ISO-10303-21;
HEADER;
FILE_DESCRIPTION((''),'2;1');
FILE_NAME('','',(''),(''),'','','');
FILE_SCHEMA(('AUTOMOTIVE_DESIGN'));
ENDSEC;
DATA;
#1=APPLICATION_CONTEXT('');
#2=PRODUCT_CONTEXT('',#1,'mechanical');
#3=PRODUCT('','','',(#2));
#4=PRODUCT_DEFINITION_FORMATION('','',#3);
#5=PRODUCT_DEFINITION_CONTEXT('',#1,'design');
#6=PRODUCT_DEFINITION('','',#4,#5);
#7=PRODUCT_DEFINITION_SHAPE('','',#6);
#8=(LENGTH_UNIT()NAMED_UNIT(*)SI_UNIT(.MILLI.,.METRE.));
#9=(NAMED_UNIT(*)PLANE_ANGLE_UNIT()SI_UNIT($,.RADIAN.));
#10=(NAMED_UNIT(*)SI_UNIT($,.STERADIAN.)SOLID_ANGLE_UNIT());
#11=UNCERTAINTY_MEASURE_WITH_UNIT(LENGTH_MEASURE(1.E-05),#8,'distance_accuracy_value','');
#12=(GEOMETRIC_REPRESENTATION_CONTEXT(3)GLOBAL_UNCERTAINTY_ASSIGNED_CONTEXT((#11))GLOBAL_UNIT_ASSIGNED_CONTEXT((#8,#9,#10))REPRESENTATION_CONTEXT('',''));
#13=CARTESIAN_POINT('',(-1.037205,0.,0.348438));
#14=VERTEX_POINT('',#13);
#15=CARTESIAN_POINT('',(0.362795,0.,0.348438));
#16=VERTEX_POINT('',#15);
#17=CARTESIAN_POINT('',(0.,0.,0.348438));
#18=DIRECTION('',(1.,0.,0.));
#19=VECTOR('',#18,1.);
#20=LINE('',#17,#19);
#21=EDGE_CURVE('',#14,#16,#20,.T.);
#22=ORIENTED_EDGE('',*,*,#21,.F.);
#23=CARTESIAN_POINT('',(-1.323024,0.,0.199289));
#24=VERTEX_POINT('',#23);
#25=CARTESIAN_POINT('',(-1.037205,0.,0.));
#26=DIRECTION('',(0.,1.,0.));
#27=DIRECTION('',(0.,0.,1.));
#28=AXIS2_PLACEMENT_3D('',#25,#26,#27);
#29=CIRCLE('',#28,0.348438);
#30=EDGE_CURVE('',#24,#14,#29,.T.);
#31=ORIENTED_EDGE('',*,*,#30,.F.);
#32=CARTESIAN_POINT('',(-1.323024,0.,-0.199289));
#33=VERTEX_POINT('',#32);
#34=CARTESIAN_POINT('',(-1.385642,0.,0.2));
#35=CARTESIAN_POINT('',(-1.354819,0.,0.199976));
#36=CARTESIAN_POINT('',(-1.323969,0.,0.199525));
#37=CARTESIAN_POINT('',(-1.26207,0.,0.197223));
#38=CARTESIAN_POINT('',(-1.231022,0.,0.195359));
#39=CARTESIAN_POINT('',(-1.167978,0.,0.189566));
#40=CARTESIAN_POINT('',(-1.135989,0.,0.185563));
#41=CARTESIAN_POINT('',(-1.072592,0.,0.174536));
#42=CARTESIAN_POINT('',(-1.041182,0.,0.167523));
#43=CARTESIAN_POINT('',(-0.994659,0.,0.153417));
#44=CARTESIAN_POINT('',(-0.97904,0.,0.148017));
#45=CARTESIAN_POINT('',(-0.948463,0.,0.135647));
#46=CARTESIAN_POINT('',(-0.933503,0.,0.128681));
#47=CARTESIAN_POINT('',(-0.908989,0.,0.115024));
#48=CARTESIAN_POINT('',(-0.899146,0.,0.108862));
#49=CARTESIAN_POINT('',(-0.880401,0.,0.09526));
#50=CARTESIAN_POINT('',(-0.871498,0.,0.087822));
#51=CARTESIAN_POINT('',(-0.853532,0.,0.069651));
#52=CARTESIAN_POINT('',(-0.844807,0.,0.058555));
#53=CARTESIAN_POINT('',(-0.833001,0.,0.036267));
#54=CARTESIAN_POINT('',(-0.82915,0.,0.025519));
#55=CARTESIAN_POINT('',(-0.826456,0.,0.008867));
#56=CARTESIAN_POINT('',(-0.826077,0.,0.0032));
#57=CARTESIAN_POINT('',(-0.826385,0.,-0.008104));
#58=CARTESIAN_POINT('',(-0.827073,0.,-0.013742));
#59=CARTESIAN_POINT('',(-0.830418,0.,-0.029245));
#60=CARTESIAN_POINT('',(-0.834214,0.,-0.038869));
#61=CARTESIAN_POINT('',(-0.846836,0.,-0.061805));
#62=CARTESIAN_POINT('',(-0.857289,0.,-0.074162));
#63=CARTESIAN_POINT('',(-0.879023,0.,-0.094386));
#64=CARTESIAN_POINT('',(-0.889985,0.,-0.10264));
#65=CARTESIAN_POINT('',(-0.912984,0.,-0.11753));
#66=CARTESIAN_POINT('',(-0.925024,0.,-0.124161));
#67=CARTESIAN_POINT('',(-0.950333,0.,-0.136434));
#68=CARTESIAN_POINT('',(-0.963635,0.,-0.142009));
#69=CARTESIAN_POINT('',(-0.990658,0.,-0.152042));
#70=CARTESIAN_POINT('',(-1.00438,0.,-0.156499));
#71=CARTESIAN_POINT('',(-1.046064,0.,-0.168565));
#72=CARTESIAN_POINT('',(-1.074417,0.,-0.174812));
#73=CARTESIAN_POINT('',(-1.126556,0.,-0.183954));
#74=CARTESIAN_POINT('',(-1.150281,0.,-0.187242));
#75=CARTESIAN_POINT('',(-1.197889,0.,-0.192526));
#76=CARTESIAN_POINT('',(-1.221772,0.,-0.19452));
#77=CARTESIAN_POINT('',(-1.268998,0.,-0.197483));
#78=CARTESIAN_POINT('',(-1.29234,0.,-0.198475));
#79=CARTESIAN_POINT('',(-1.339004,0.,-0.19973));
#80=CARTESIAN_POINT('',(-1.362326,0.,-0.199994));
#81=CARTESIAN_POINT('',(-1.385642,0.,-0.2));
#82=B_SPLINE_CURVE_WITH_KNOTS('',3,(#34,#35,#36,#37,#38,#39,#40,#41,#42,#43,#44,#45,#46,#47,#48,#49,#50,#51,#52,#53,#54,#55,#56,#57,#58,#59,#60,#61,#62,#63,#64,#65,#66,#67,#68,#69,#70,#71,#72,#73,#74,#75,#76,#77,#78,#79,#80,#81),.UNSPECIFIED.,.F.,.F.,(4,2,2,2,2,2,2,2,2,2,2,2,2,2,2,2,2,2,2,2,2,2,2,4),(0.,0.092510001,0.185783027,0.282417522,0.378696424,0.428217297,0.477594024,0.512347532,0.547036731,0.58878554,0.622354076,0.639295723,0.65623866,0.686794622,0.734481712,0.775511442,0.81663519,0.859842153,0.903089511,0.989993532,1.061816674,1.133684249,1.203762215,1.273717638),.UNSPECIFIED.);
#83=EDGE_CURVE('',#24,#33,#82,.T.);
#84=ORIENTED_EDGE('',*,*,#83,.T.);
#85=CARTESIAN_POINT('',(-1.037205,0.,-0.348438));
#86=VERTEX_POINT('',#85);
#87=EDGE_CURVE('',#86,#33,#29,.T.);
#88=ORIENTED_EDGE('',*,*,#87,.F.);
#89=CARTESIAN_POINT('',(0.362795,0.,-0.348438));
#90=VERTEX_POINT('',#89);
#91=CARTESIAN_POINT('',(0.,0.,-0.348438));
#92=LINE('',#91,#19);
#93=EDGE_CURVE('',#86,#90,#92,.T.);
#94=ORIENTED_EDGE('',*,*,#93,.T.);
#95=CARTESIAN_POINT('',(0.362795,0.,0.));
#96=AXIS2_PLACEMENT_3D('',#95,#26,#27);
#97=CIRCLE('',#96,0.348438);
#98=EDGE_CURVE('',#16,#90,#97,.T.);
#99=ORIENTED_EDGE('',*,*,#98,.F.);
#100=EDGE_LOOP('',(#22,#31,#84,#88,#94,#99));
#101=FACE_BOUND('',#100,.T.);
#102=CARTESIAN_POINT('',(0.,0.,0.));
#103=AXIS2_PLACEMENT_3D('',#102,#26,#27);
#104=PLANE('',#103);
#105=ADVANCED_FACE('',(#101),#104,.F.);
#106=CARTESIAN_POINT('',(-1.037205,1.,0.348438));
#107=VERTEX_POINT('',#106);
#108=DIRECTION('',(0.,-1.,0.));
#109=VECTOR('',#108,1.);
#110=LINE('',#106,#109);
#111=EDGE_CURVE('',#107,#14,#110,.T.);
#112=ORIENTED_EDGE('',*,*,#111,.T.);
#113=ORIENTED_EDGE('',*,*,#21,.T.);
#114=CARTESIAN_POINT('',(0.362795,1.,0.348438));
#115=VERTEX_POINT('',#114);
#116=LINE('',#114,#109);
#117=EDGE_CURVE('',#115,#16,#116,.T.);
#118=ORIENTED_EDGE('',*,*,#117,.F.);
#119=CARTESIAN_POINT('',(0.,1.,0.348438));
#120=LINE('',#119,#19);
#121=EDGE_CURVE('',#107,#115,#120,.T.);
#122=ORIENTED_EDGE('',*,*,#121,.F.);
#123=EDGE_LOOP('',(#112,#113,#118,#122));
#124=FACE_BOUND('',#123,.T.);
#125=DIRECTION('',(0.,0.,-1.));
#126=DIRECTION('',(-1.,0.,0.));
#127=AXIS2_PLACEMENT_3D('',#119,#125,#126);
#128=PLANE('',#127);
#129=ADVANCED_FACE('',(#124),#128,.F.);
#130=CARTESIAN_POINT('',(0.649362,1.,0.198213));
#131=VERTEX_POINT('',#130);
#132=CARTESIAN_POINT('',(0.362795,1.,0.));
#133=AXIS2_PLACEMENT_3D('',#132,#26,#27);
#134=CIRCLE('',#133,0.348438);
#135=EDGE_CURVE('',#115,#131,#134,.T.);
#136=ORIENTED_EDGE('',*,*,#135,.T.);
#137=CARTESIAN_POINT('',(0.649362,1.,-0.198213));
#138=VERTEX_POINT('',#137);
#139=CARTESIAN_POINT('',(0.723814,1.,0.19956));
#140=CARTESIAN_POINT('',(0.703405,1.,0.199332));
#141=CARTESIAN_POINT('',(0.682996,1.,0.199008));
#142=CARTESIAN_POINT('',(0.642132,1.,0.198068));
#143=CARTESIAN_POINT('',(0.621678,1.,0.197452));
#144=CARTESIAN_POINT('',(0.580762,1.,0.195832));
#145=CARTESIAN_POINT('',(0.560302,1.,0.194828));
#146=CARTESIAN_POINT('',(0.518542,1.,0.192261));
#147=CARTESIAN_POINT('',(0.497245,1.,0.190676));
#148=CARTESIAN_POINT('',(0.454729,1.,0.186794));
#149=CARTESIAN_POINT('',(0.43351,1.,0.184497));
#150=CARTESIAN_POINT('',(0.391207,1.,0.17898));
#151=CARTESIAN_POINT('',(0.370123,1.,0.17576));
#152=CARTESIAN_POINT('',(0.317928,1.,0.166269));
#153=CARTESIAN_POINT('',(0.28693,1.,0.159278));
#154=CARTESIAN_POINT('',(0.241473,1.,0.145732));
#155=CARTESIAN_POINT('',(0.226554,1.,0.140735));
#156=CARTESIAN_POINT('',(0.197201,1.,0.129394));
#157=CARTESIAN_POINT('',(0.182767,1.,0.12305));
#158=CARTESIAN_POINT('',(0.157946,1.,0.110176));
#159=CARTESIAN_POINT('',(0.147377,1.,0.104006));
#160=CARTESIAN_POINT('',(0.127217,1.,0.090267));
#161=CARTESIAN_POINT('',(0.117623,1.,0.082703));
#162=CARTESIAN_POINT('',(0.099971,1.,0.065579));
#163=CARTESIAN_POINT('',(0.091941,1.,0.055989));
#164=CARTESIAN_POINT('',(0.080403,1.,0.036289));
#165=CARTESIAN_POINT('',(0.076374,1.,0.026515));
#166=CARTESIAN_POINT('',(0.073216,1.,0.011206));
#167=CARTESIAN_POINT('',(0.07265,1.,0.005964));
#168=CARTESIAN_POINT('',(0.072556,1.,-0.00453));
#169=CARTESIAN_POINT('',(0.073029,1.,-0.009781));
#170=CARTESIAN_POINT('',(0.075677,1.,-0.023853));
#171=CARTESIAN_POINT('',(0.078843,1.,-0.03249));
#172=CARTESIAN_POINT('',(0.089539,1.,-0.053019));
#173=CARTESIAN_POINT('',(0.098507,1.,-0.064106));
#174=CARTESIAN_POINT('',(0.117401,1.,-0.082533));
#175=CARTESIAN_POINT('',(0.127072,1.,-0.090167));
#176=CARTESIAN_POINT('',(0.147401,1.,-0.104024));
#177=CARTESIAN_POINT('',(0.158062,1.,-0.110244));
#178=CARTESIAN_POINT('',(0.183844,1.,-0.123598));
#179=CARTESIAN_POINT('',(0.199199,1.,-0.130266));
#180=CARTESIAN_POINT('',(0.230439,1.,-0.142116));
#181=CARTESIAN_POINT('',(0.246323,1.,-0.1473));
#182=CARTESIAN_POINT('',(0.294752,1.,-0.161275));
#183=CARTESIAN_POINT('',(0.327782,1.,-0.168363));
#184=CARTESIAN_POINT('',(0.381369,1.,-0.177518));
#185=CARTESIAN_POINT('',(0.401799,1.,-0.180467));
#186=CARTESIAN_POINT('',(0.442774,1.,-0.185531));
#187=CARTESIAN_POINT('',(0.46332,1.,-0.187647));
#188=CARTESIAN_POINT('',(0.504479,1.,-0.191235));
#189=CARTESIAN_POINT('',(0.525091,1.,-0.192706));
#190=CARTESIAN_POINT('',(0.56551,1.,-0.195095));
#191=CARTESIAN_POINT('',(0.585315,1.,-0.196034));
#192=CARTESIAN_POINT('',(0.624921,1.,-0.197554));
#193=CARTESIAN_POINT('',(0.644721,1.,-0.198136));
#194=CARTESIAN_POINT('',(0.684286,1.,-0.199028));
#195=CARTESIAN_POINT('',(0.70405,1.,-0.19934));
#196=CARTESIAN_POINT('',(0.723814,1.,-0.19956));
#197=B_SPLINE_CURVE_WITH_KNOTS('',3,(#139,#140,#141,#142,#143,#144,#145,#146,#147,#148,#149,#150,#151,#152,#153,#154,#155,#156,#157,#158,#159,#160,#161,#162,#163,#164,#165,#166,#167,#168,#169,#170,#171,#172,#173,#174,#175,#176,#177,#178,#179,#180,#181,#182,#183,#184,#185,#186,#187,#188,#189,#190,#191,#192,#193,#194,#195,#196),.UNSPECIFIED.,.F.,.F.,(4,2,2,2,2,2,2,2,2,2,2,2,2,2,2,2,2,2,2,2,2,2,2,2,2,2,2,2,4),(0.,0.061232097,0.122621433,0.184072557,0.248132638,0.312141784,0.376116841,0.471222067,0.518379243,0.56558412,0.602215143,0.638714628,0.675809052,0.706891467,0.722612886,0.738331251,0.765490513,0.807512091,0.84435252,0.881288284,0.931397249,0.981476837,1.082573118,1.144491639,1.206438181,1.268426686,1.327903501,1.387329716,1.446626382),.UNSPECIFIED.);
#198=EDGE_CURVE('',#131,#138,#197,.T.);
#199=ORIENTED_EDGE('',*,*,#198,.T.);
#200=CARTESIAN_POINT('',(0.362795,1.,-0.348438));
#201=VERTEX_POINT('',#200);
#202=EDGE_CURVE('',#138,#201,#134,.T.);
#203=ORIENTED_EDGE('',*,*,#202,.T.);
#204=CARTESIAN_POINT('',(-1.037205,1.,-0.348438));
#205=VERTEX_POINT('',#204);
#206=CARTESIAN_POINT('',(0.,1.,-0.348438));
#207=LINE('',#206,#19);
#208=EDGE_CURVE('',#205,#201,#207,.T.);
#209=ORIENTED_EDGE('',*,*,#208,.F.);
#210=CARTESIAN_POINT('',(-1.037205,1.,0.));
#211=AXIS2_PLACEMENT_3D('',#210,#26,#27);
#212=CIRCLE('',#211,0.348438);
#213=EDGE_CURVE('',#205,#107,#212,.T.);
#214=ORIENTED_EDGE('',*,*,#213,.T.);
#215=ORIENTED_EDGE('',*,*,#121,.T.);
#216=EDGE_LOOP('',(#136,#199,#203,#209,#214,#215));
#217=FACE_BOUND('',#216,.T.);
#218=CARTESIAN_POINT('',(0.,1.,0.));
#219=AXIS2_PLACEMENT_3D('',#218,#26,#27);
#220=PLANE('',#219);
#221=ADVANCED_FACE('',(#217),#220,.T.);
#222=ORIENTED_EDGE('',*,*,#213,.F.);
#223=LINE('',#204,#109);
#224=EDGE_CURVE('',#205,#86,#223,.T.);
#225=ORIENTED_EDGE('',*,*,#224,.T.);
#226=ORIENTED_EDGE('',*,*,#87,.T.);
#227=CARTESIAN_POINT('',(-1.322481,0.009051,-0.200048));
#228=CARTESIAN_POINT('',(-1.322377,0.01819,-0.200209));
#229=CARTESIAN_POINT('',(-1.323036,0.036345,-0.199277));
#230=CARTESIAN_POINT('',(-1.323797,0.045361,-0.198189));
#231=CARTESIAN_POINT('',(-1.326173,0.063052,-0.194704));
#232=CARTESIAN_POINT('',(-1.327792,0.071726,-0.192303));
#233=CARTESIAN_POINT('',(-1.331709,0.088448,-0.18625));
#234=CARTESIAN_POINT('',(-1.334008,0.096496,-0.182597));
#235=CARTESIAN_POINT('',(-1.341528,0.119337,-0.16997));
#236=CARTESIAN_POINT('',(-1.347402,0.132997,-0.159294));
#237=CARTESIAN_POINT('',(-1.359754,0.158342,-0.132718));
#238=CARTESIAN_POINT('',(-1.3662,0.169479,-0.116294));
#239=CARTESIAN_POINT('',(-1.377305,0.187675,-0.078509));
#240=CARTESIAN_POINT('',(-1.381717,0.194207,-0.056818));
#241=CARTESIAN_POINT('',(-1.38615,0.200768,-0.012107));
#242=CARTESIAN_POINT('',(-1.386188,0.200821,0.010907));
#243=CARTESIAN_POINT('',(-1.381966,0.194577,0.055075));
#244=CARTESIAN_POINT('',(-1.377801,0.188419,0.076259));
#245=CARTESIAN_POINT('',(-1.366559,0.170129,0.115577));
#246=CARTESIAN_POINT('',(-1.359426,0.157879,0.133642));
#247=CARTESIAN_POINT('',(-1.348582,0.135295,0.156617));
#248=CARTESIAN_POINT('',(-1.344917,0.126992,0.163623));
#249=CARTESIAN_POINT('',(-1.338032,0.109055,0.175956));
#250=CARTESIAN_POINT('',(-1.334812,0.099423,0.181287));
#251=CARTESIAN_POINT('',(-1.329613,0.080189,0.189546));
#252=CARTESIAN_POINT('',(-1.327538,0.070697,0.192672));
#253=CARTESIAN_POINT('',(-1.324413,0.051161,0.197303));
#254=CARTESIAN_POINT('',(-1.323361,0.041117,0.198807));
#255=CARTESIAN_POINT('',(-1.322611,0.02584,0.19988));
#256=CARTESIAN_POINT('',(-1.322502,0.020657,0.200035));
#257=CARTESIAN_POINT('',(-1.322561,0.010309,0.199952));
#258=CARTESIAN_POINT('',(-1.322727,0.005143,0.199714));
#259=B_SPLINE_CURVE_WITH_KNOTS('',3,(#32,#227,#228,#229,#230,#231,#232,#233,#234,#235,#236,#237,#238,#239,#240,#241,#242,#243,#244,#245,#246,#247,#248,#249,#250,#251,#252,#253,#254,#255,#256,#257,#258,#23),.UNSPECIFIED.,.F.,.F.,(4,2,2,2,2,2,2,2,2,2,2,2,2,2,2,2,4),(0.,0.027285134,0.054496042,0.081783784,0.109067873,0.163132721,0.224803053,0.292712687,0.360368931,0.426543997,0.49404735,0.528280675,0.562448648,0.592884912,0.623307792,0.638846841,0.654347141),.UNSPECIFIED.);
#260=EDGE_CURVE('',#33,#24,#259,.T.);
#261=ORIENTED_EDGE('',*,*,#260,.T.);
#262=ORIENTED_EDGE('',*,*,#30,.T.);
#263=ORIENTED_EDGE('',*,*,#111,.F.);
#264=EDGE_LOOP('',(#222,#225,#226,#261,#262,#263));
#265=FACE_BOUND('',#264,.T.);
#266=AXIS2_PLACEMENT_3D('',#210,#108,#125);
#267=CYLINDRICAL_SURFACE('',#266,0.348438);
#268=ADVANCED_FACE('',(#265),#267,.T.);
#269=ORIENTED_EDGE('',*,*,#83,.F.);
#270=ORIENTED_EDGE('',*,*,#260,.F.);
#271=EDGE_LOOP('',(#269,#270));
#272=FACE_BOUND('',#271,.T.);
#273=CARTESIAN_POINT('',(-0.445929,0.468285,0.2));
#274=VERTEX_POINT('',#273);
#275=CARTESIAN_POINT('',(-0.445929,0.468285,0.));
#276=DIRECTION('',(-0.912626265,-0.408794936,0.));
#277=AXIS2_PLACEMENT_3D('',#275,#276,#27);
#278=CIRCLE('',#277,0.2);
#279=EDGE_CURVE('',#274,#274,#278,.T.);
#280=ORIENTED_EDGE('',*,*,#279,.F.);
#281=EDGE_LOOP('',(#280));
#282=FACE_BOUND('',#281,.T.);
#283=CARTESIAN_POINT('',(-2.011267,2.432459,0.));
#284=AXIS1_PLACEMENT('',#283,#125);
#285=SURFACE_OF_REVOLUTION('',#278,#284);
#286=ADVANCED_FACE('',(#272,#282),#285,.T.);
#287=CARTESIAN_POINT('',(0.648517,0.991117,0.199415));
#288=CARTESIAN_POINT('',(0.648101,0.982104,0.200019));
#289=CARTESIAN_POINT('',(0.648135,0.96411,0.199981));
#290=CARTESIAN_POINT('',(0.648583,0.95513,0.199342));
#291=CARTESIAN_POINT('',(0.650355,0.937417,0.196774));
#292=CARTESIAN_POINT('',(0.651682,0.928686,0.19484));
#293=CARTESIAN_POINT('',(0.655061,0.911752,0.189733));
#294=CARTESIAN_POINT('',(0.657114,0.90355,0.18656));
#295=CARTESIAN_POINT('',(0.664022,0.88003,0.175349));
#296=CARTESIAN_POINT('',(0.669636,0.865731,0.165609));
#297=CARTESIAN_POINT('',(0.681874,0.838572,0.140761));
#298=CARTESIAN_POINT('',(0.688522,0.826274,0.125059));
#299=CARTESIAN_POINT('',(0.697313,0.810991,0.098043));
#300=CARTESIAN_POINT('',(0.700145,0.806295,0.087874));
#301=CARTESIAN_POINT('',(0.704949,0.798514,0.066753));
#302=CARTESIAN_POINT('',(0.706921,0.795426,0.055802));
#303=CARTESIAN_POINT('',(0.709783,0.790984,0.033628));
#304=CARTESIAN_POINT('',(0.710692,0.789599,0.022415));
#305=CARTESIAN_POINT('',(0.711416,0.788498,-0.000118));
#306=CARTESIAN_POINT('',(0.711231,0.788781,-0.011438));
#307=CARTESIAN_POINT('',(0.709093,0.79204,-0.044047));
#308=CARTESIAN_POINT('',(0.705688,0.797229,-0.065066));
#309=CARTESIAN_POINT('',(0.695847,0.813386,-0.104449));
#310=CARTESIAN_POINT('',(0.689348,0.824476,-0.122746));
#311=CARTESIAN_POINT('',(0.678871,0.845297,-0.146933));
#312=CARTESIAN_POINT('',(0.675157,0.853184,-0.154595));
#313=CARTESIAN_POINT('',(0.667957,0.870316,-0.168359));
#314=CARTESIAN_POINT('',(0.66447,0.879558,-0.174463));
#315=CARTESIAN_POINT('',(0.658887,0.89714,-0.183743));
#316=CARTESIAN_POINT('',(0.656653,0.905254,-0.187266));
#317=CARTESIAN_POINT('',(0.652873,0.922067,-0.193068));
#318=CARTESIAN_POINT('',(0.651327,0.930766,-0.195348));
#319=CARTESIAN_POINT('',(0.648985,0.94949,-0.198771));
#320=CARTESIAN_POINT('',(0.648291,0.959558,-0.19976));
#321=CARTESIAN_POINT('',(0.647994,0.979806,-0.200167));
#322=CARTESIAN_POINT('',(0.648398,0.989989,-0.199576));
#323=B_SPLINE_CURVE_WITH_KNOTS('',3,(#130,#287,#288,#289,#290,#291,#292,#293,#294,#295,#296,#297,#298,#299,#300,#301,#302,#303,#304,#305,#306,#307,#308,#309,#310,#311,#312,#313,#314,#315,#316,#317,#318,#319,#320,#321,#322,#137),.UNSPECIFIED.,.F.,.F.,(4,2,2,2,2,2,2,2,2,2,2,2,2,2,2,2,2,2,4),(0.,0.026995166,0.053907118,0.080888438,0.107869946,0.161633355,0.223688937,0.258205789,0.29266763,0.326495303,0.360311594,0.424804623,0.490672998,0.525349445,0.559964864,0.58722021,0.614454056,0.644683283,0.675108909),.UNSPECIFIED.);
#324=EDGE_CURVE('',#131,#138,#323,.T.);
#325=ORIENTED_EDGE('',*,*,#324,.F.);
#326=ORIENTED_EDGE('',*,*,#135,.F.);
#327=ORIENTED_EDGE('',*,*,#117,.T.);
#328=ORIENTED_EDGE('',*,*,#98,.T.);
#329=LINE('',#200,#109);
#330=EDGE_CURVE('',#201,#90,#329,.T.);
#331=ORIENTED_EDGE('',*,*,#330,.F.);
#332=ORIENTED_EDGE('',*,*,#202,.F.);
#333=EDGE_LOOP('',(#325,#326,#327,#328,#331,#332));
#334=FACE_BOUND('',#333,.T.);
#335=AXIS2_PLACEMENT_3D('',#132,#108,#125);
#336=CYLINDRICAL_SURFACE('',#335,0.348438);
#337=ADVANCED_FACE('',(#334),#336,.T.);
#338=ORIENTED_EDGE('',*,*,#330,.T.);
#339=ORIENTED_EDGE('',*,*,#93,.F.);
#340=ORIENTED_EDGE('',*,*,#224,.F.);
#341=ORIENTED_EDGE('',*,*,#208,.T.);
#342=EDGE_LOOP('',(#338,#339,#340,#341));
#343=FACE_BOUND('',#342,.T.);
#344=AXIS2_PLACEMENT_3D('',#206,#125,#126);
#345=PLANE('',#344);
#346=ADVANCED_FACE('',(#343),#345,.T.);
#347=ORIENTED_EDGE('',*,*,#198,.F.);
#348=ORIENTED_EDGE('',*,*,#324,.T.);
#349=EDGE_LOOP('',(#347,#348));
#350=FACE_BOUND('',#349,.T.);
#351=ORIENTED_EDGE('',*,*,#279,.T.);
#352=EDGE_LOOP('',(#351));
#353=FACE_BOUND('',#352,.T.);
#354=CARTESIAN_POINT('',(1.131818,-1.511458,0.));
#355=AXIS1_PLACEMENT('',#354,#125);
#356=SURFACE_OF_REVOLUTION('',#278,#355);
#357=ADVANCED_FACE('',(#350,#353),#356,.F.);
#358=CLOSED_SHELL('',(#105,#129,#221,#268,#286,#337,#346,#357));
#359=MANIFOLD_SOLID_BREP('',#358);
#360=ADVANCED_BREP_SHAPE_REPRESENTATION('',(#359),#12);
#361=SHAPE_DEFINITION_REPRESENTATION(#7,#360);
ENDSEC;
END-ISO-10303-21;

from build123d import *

# Parameters (mm, degrees)
BOSS_EXTRUDE1_DEPTH = 1
SKETCH4_R           = 0.2


with BuildPart() as part:
    # Sketch1 → Boss-Extrude1 (new body)
    with BuildSketch(Plane(origin=(0, 0, 0), x_dir=(1, 0, 0), z_dir=(0, 1, 0))):
        with BuildLine():
            Line((-1.037204748, 0.3484375), (0.362795252, 0.3484375))
            ThreePointArc((0.362795252, 0.3484375), (0.711232752, 0), (0.362795252, -0.3484375))
            Line((0.362795252, -0.3484375), (-1.037204748, -0.3484375))
            ThreePointArc((-1.037204748, -0.3484375), (-1.385642248, 0), (-1.037204748, 0.3484375))
        make_face()
    extrude(amount=BOSS_EXTRUDE1_DEPTH)

    # Cut-Sweep3: sweep along a path in Sketch2
    with BuildLine(Plane.XY) as cut_sweep3_path:
        ThreePointArc((-1.385642248, 0), (-0.891042659, 0.184490952), (-0.445928668, 0.468285243))
        ThreePointArc((-0.445928668, 0.468285243), (0.147274351, 0.820781614), (0.813625821, 1))
    # Sketch4 → Cut-Sweep3 (sweep, cut)
    with BuildSketch(Plane(origin=(-1.385642248, 1, 0), x_dir=(0, 0, 1), z_dir=(-1, 0, 0))):
        with Locations((0, -1)):
            Circle(SKETCH4_R)
    sweep(path=cut_sweep3_path.line, mode=Mode.SUBTRACT)


solid = part.part
